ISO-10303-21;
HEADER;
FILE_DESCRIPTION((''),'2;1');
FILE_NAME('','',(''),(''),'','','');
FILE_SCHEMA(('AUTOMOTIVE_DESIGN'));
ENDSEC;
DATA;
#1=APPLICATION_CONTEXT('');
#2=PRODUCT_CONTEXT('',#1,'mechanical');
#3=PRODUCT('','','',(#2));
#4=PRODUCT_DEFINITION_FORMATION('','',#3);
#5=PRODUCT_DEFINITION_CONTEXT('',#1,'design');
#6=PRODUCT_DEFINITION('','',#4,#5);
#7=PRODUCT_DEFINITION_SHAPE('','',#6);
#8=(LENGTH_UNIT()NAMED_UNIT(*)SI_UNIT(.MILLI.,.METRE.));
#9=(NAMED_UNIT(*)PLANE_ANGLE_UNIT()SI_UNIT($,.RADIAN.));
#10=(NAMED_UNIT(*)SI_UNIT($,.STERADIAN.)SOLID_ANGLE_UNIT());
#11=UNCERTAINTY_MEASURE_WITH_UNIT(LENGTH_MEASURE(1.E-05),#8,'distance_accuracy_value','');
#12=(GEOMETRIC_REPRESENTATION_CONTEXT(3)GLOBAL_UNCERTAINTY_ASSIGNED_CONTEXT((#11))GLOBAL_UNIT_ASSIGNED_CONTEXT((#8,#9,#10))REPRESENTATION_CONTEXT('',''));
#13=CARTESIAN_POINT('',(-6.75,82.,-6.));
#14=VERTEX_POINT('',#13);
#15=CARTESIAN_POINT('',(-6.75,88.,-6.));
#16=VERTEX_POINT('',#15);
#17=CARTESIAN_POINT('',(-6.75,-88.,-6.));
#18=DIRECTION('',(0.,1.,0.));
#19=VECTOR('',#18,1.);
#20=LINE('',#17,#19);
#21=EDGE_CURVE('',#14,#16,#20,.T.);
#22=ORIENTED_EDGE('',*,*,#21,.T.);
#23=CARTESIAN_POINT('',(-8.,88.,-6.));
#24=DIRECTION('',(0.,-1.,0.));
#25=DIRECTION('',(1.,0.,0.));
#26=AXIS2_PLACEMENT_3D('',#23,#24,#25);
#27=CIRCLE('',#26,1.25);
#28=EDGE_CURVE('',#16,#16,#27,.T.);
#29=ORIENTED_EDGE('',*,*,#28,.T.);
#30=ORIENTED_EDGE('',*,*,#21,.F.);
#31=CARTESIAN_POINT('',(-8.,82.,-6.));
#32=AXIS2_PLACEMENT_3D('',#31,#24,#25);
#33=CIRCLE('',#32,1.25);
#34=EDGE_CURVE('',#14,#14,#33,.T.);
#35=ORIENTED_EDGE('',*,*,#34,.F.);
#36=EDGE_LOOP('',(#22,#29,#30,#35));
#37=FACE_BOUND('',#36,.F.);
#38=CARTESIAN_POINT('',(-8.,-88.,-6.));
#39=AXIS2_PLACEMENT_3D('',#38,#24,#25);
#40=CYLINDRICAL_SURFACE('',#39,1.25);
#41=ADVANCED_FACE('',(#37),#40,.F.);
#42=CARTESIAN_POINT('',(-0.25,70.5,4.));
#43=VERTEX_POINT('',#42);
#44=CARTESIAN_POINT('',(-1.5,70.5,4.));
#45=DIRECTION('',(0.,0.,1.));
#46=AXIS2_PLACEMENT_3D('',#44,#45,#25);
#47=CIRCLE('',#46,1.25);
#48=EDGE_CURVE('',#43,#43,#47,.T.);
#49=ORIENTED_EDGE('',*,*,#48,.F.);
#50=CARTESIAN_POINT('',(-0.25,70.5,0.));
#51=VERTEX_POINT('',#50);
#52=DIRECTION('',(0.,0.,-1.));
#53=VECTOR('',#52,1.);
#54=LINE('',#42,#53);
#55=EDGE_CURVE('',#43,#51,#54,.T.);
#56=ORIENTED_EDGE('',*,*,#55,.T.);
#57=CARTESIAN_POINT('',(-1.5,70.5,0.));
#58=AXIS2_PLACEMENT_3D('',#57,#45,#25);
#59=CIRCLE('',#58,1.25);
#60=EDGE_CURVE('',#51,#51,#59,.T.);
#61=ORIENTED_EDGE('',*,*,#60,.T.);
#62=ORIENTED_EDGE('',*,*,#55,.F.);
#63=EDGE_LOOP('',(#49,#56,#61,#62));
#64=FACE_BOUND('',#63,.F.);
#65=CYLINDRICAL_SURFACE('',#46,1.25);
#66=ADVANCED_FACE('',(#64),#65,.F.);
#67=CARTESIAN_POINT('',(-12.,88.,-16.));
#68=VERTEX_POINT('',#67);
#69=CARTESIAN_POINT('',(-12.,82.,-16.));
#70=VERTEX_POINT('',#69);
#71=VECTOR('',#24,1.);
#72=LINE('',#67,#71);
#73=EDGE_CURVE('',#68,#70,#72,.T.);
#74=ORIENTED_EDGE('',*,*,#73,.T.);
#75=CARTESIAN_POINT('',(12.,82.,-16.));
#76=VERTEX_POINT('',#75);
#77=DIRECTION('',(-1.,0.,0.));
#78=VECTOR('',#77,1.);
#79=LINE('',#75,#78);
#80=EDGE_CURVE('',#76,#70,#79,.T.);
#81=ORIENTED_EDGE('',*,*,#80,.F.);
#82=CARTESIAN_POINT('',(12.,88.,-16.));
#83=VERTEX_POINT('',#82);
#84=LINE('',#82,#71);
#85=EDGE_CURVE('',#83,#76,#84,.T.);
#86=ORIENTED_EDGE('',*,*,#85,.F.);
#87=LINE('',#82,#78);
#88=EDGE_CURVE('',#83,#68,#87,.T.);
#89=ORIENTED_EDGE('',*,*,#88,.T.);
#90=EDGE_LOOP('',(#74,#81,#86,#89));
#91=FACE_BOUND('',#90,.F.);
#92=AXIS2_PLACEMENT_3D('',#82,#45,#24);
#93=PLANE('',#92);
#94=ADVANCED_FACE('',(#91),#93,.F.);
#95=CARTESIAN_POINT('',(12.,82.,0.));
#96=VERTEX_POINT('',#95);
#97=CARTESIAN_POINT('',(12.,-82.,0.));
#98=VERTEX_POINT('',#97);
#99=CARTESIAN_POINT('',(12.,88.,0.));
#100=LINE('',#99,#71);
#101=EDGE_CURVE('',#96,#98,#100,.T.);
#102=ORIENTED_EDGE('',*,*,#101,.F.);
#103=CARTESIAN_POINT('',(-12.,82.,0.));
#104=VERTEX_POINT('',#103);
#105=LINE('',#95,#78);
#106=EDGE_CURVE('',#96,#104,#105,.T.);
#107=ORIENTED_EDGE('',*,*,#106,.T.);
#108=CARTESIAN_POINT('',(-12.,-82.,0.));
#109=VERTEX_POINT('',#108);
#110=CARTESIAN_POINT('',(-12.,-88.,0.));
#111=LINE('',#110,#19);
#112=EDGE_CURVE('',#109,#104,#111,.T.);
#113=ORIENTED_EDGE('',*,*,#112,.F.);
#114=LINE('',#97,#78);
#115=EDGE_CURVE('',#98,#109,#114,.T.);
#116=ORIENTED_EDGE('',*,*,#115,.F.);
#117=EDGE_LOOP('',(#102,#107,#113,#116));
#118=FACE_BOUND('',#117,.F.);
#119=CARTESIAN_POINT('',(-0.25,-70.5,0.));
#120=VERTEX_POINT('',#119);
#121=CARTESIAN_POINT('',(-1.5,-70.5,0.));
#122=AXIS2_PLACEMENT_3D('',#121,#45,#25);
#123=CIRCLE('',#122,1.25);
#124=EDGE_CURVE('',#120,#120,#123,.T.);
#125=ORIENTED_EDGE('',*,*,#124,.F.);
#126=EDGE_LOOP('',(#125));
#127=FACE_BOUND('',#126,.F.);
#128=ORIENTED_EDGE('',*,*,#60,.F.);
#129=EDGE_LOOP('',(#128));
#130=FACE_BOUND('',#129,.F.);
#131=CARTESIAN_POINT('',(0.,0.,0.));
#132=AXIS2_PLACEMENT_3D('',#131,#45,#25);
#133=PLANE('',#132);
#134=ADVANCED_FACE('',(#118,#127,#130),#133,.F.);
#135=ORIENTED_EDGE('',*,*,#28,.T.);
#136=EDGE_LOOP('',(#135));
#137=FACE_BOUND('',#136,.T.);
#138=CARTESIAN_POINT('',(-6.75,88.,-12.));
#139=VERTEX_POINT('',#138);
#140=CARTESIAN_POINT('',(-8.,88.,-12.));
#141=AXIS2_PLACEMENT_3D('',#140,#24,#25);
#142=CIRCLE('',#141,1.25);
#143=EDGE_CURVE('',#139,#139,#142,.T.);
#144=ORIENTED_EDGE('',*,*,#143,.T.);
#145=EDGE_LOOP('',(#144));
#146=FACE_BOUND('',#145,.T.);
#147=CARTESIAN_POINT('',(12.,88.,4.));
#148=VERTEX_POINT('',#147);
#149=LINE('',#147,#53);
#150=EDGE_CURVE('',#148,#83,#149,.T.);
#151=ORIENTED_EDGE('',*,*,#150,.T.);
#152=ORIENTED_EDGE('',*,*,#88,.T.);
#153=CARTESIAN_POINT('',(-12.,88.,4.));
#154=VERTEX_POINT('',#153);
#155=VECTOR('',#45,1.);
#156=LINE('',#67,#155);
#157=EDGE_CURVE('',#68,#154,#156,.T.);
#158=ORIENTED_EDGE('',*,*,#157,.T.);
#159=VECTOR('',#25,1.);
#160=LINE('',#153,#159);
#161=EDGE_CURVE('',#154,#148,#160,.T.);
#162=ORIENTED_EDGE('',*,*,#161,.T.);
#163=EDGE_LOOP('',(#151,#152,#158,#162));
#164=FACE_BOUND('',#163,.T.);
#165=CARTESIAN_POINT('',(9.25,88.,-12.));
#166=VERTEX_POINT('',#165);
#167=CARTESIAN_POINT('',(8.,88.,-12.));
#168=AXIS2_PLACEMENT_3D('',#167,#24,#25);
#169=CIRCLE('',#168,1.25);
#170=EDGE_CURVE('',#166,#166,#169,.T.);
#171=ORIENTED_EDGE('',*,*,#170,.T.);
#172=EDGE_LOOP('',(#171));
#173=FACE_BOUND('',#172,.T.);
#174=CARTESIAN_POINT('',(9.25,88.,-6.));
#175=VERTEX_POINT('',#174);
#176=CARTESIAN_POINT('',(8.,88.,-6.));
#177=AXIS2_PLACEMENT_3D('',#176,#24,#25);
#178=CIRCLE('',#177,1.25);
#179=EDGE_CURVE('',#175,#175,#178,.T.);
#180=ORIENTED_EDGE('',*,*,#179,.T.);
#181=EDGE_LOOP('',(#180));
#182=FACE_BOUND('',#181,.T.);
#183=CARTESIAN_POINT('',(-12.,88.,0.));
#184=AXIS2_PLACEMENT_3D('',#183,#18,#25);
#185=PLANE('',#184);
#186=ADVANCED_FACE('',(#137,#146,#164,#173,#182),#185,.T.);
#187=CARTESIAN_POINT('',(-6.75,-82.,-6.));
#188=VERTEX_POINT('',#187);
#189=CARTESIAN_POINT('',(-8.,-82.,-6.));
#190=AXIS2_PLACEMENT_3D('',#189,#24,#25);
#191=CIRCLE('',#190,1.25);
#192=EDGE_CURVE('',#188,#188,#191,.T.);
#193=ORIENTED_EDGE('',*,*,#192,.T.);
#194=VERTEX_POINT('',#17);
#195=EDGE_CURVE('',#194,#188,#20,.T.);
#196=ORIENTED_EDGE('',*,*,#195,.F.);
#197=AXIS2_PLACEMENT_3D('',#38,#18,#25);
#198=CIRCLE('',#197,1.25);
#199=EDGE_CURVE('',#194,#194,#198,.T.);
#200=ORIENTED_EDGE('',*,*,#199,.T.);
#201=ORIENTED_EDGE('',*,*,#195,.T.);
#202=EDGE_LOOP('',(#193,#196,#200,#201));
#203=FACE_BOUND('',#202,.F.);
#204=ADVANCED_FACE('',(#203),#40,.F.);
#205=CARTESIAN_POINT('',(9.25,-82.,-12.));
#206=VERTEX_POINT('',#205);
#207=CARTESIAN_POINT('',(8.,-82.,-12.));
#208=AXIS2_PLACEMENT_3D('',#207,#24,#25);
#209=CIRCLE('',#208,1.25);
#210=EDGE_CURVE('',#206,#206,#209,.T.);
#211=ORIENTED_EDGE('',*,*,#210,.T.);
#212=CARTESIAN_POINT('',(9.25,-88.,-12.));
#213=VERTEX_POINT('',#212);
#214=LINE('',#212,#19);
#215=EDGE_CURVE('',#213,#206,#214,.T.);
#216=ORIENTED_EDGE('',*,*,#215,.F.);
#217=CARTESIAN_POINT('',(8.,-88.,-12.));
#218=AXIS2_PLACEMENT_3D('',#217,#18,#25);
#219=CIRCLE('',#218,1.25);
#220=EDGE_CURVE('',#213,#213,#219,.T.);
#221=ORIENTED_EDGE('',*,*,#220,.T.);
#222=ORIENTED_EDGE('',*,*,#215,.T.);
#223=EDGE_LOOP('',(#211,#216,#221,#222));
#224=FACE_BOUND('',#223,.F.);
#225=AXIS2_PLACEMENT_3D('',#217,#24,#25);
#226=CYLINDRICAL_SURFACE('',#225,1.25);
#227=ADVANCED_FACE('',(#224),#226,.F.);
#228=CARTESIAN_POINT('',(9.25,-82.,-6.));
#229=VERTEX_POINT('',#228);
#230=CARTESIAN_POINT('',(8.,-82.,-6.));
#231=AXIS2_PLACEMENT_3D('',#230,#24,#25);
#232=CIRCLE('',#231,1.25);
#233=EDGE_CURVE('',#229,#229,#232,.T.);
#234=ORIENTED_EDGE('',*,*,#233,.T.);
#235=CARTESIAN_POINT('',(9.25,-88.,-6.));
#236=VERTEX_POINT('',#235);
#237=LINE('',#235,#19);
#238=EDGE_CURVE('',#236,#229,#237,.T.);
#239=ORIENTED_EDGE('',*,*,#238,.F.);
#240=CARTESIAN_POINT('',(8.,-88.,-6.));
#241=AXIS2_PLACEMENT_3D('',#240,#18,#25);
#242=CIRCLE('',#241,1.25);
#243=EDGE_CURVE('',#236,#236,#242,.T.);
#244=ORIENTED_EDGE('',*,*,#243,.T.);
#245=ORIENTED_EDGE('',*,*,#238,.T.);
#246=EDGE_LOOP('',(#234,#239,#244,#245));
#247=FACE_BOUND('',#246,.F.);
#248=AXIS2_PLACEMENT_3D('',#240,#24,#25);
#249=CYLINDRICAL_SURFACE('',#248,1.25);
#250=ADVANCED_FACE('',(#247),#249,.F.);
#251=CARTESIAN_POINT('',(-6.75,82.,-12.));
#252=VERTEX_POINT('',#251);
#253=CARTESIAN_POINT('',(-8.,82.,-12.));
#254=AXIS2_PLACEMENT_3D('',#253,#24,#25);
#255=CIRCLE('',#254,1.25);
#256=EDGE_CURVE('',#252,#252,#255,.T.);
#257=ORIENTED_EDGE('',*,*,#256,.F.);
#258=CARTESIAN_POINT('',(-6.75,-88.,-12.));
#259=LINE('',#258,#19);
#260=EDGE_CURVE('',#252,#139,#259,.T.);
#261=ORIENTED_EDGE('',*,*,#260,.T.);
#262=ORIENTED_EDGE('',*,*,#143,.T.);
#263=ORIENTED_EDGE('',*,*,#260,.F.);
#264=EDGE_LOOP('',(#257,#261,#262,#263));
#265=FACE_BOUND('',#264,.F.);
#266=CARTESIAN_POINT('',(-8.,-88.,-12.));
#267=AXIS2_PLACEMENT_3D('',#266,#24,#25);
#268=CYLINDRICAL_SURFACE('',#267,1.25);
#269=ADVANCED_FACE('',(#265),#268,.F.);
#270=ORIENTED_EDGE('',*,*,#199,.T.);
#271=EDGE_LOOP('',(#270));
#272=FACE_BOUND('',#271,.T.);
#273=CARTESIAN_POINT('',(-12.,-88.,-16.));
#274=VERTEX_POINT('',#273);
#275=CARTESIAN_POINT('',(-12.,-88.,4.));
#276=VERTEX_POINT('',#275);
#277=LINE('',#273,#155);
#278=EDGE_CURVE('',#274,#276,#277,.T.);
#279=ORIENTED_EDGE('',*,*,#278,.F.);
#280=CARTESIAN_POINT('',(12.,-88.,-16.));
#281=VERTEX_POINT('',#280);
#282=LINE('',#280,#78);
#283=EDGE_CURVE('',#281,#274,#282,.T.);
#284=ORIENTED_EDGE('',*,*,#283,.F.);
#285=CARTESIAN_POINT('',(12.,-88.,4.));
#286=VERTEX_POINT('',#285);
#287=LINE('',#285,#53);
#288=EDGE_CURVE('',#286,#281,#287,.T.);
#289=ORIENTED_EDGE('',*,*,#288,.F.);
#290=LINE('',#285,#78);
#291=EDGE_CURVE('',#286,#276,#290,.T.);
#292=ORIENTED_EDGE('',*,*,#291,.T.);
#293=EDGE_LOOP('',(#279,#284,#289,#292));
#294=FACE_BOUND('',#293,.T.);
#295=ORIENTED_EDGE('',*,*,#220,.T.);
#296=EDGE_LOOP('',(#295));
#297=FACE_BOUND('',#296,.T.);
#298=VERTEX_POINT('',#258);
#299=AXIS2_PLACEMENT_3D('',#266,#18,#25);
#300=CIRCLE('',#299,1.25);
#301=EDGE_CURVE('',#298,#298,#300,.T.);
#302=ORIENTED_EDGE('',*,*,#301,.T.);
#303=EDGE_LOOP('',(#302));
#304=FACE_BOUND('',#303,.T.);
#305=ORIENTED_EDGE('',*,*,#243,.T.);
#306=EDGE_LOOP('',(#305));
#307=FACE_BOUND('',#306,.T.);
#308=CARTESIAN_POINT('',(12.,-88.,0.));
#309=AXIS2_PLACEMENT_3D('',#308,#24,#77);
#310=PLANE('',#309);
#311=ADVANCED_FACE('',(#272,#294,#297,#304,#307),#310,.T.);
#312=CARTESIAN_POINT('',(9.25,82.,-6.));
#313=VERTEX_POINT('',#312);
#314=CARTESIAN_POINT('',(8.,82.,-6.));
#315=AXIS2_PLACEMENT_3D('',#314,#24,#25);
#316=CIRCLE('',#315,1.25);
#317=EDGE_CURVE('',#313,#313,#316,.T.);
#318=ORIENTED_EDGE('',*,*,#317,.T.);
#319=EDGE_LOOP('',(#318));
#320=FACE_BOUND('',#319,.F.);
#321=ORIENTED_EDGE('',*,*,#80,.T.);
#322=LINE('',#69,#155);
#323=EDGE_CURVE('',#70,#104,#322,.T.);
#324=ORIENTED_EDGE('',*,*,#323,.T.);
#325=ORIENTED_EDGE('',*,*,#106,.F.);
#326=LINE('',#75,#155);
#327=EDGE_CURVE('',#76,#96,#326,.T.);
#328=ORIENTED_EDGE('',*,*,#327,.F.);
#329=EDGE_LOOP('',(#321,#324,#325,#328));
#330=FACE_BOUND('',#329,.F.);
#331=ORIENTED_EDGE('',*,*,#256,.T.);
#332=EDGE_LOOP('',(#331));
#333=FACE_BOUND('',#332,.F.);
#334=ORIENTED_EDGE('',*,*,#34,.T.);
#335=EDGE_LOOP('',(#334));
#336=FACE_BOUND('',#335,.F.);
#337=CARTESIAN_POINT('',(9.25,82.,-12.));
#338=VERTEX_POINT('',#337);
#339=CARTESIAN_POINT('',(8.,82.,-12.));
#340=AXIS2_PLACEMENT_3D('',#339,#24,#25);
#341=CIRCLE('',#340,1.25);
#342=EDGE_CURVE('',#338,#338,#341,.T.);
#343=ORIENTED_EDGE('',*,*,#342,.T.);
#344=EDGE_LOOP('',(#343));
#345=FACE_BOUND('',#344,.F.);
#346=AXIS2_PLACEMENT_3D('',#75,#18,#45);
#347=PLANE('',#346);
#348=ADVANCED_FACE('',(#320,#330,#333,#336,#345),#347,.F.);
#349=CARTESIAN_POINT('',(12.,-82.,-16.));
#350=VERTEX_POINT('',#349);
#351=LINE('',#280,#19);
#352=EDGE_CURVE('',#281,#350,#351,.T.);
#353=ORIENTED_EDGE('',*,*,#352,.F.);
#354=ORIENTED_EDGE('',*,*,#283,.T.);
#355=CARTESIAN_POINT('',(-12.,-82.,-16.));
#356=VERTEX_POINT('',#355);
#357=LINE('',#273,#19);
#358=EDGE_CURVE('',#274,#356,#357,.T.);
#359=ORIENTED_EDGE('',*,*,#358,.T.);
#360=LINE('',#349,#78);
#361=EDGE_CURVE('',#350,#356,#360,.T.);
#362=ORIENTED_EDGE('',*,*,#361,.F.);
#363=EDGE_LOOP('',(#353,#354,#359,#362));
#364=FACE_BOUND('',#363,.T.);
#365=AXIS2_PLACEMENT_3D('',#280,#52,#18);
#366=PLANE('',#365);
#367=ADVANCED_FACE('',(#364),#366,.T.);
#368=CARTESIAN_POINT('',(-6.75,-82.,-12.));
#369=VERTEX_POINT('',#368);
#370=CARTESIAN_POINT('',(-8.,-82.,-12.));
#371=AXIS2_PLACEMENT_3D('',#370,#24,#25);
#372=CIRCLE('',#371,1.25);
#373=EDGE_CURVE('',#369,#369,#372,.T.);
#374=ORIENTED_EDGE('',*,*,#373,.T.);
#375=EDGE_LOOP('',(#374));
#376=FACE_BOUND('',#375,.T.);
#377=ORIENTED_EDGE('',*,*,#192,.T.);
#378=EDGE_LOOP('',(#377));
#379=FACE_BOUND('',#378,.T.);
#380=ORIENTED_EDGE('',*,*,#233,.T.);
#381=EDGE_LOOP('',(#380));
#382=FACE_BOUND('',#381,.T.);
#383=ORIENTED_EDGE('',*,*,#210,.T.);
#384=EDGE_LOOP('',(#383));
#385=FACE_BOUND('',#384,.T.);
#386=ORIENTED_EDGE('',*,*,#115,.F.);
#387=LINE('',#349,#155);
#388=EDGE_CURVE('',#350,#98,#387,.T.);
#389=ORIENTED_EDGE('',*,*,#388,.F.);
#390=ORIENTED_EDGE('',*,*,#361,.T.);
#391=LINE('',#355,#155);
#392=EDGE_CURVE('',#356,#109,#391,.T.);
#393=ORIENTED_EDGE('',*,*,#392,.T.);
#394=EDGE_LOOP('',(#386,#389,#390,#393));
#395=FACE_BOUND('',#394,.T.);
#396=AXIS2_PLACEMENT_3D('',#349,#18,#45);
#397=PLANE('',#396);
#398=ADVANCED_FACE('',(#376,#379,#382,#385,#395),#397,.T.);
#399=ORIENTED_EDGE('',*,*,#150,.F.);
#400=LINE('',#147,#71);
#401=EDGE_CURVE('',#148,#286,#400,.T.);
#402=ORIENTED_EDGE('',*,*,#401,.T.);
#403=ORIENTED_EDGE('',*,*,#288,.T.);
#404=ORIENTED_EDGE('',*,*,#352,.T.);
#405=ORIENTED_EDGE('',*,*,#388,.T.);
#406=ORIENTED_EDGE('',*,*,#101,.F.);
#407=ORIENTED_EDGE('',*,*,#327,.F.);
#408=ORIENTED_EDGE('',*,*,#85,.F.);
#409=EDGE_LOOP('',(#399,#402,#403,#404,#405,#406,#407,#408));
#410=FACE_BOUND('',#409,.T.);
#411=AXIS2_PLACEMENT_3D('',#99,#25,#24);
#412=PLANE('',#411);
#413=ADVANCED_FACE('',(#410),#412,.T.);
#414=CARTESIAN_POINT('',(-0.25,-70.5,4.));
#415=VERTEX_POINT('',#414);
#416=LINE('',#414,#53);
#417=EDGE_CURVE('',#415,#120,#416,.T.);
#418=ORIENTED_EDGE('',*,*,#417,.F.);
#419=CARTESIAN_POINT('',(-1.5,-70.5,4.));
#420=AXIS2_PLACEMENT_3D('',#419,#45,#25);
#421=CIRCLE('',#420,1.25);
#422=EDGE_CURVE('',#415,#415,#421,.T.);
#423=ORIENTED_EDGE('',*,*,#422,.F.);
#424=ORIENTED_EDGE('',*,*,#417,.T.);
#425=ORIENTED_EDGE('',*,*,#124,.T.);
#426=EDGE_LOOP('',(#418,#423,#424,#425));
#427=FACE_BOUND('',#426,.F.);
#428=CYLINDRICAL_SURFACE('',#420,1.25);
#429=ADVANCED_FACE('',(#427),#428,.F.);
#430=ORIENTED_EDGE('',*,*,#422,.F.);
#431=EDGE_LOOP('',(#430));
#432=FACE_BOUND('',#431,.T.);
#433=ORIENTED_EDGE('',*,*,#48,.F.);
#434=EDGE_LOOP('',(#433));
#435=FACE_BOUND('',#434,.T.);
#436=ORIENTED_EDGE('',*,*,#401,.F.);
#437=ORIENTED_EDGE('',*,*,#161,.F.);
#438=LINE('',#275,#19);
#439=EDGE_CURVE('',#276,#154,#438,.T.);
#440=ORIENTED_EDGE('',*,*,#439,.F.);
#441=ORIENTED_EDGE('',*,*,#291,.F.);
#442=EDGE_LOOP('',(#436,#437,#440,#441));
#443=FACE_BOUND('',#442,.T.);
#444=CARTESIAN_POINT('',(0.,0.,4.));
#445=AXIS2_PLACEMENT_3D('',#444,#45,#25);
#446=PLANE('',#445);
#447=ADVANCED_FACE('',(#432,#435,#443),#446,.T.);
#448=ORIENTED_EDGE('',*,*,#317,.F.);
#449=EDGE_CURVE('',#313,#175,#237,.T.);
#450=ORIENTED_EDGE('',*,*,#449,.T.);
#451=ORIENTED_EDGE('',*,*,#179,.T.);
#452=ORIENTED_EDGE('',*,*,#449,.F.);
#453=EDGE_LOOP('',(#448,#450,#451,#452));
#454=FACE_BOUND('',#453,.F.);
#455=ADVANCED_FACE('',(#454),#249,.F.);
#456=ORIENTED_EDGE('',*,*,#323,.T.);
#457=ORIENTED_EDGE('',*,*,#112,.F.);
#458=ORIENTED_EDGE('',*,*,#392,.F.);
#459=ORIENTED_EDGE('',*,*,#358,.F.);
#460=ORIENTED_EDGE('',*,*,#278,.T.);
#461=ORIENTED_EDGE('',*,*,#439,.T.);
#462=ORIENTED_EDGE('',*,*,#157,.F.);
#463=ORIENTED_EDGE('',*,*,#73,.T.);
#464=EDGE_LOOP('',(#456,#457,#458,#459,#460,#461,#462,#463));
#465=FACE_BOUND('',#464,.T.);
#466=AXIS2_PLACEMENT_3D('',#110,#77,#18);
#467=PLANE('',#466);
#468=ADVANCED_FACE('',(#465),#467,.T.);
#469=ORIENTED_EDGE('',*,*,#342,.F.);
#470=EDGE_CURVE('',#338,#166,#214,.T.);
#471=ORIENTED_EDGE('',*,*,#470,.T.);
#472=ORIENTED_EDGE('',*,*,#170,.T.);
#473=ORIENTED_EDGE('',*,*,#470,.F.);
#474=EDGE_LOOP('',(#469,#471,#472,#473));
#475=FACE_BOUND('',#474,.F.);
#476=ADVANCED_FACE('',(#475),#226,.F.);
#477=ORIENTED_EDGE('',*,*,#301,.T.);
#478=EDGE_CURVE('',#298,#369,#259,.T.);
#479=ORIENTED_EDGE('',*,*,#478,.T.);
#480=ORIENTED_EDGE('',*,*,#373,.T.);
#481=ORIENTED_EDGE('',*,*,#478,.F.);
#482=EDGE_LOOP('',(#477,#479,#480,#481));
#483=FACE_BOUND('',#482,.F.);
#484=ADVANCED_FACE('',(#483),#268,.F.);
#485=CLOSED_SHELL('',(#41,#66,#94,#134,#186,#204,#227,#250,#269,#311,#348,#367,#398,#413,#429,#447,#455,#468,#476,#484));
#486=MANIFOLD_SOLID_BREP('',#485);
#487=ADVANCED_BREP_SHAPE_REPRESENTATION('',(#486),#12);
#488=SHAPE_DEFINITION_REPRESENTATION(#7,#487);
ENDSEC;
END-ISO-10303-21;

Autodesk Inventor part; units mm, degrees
ref_plane "YZ Plane" through (0, 0, 0) normal (1, 0, 0) x (0, 1, 0)
ref_plane "XZ Plane" through (0, 0, 0) normal (0, 1, 0) x (-1, 0, 0)
ref_plane "XY Plane" through (0, 0, 0) normal (0, 0, 1) x (1, 0, 0)
sketch "스케치1" plane through (0, 0, 0) normal (0, 0, 1) x (1, 0, 0)
  line L0 (-12, 88) -> (12, 88)
  line L1 (12, 88) -> (12, -88)
  line L2 (12, -88) -> (-12, -88)
  line L3 (-12, -88) -> (-12, 88)
  line L4 (-12, 88) -> (12, -88) construction
  line L5 (12, 88) -> (-12, -88) construction
  point P0 (0, 0)
  dimension "d0" = 24
  dimension "d1" = 176
extrude "돌출1" add sketch "스케치1" along normal blind 4
sketch "스케치2" plane through (12, -88, 0) normal (1, 0, 0) x (0, 0, -1)
  line L0 (0, 0) -> (0, 176) projected
  line L1 (0, 176) -> (-4, 176) projected
  line L2 (-4, 0) -> (-4, 176) projected
  line L3 (0, 0) -> (-4, 0) projected
  line L4 (-4, 0) -> (-4, 176) projected
  line L5 (-4, 176) -> (16, 176)
  line L6 (16, 176) -> (16, 170)
  line L7 (16, 170) -> (-4, 170)
  line L8 (-4, 170) -> (-4, 176)
  line L9 (-4, 0) -> (16, 0)
  line L10 (16, 0) -> (16, 6)
  line L11 (16, 6) -> (-4, 6)
  line L12 (-4, 6) -> (-4, 0)
  point P0 (0, 88)
  point P1 (0, 6)
  point P2 (0, 170)
  dimension "d4" = 20
  dimension "d5" = 6
  dimension "d6" = 20
  dimension "d7" = 6
extrude "돌출2" add sketch "스케치2" against normal up to surface (24 mm away) contours L0 L11 L10 L9 | L0 L5 L6 L7
sketch "스케치3" plane through (-12, -88, 4) normal (0, -1, 0) x (1, 0, 0)
  line L0 (24, -20) -> (24, 0) projected
  line L1 (0, 0) -> (24, 0) projected
  line L2 (0, 0) -> (0, -20) projected
  line L3 (24, -20) -> (0, -20) projected
  line L4 (4, -16) -> (4, -4)
  line L5 (4, -4) -> (20, -4)
  line L6 (20, -4) -> (20, -16)
  line L7 (20, -16) -> (4, -16)
  circle A0 centre (20, -16) radius 1.25
  circle A1 centre (4, -16) radius 1.25
  circle A2 centre (20, -4) radius 1.25
  circle A3 centre (4, -4) radius 1.25
  circle A4 centre (20, -10) radius 1.25
  circle A5 centre (4, -10) radius 1.25
  point P0 (12, -4)
  dimension "d10" = 4
  dimension "d11" = 2.5
  dimension "d12" = 2.5
  dimension "d13" = 2.5
  dimension "d14" = 2.5
  dimension "d15" = 2.5
  dimension "d16" = 2.5
extrude "돌출3" cut sketch "스케치3" against normal through all contours L7 A1 L4 | L4 A1 L7 | A5 L4 | L4 A5 | A0 L6 L7 | L7 L6 A0 | A4 L6 | L6 A4
sketch "스케치6" plane through (0, 0, 4) normal (0, 0, 1) x (1, 0, 0)
  circle A0 centre (-1.5, -70.5) radius 1.25 projected
  line L0 (6, -62) -> (6, -79) projected
  line L1 (-9.5, -79) -> (6, -79) projected
  line L2 (-9.5, -79) -> (-9.5, -62) projected
  line L3 (6, -62) -> (-9.5, -62) projected
  circle A1 centre (-1.5, 70.5) radius 1.25 projected
  line L4 (6, 62) -> (6, 79) projected
  line L5 (6, 62) -> (-9.5, 62) projected
  line L6 (-9.5, 79) -> (-9.5, 62) projected
  line L7 (-9.5, 79) -> (6, 79) projected
  point P0 (0, 0)
extrude "돌출6" cut sketch "스케치6" against normal blind 10 contours A0 | A1
properties part number "Back_Cover" material "LCP 플라스틱"
